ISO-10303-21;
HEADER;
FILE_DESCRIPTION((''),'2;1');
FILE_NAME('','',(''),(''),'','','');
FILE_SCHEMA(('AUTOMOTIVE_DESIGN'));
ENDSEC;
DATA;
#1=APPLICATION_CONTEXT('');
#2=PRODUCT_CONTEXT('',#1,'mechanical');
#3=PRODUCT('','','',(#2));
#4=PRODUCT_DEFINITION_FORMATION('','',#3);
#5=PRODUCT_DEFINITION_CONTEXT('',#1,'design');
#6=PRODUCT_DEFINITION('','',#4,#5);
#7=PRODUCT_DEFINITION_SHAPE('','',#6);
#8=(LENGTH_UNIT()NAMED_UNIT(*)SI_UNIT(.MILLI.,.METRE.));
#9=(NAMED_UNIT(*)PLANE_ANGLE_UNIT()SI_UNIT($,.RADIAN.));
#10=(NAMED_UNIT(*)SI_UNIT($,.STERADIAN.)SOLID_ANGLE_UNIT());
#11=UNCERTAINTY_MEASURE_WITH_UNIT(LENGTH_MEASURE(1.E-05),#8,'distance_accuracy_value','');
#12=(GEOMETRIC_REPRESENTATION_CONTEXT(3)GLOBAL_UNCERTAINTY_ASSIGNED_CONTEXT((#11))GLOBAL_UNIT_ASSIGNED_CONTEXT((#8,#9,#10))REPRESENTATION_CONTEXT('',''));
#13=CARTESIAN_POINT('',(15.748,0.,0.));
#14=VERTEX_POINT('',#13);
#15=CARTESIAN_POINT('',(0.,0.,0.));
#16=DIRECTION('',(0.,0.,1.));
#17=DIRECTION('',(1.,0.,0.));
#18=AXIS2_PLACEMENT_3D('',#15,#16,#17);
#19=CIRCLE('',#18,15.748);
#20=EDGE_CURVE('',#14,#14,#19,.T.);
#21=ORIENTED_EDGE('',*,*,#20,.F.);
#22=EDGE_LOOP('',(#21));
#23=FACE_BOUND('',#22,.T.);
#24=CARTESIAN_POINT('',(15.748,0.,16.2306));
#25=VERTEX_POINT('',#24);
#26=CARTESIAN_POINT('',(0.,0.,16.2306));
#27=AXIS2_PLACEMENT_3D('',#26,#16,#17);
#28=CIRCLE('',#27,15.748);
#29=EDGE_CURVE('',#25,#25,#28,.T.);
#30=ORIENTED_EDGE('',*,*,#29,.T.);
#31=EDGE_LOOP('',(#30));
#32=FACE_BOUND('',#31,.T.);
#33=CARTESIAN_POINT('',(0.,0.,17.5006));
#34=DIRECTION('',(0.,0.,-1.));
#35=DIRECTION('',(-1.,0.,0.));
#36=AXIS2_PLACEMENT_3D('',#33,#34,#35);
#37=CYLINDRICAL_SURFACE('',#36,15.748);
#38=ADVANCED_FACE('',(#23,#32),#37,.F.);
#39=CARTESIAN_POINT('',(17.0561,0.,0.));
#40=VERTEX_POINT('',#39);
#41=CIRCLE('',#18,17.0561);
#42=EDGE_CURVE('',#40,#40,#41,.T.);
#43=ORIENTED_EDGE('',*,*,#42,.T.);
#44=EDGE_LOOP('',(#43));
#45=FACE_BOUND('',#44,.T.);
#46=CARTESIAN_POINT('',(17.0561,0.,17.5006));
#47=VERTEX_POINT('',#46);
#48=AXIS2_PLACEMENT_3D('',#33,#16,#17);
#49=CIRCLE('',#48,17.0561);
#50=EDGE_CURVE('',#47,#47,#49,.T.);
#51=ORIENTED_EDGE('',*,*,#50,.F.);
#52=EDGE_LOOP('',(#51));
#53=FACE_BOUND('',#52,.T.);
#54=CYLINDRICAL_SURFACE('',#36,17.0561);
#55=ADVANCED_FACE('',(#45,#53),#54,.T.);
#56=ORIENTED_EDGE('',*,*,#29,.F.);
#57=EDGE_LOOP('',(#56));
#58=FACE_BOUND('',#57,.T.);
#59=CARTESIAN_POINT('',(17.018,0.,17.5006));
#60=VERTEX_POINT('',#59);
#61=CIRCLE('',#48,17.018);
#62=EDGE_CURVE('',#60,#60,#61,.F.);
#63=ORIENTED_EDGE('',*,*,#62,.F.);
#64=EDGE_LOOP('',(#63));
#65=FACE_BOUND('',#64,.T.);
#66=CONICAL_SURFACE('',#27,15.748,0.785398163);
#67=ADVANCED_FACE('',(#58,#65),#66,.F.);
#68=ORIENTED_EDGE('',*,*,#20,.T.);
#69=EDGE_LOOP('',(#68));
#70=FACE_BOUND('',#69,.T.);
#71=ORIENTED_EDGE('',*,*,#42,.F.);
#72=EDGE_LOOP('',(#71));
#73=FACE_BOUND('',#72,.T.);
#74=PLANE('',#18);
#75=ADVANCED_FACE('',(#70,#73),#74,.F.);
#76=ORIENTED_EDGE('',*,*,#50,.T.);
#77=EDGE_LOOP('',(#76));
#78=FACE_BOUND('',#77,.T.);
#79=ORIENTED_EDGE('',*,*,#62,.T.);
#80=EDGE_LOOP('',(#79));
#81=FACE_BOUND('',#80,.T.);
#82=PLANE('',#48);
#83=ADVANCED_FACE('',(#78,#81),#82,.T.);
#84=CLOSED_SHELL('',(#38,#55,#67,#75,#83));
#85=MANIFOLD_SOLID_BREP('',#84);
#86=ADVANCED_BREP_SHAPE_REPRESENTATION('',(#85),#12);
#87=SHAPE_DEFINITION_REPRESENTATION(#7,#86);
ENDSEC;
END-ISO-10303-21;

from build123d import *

# Parameters (mm, degrees)
SKETCH2_R           = 17.0561
SKETCH2_R_2         = 15.748
BOSS_EXTRUDE1_DEPTH = 17.5006
CHAMFER1_SIZE       = 1.27


with BuildPart() as part:
    # Sketch2 → Boss-Extrude1 (new body)
    with BuildSketch(Plane.XY):
        Circle(SKETCH2_R)
        Circle(SKETCH2_R_2, mode=Mode.SUBTRACT)
    extrude(amount=BOSS_EXTRUDE1_DEPTH)

    # Chamfer1
    chamfer1_edges = [part.edges().sort_by_distance(p)[0] for p in [
        (-15.748, 0, 17.5006),
    ]]
    chamfer(chamfer1_edges, length=CHAMFER1_SIZE)


solid = part.part
